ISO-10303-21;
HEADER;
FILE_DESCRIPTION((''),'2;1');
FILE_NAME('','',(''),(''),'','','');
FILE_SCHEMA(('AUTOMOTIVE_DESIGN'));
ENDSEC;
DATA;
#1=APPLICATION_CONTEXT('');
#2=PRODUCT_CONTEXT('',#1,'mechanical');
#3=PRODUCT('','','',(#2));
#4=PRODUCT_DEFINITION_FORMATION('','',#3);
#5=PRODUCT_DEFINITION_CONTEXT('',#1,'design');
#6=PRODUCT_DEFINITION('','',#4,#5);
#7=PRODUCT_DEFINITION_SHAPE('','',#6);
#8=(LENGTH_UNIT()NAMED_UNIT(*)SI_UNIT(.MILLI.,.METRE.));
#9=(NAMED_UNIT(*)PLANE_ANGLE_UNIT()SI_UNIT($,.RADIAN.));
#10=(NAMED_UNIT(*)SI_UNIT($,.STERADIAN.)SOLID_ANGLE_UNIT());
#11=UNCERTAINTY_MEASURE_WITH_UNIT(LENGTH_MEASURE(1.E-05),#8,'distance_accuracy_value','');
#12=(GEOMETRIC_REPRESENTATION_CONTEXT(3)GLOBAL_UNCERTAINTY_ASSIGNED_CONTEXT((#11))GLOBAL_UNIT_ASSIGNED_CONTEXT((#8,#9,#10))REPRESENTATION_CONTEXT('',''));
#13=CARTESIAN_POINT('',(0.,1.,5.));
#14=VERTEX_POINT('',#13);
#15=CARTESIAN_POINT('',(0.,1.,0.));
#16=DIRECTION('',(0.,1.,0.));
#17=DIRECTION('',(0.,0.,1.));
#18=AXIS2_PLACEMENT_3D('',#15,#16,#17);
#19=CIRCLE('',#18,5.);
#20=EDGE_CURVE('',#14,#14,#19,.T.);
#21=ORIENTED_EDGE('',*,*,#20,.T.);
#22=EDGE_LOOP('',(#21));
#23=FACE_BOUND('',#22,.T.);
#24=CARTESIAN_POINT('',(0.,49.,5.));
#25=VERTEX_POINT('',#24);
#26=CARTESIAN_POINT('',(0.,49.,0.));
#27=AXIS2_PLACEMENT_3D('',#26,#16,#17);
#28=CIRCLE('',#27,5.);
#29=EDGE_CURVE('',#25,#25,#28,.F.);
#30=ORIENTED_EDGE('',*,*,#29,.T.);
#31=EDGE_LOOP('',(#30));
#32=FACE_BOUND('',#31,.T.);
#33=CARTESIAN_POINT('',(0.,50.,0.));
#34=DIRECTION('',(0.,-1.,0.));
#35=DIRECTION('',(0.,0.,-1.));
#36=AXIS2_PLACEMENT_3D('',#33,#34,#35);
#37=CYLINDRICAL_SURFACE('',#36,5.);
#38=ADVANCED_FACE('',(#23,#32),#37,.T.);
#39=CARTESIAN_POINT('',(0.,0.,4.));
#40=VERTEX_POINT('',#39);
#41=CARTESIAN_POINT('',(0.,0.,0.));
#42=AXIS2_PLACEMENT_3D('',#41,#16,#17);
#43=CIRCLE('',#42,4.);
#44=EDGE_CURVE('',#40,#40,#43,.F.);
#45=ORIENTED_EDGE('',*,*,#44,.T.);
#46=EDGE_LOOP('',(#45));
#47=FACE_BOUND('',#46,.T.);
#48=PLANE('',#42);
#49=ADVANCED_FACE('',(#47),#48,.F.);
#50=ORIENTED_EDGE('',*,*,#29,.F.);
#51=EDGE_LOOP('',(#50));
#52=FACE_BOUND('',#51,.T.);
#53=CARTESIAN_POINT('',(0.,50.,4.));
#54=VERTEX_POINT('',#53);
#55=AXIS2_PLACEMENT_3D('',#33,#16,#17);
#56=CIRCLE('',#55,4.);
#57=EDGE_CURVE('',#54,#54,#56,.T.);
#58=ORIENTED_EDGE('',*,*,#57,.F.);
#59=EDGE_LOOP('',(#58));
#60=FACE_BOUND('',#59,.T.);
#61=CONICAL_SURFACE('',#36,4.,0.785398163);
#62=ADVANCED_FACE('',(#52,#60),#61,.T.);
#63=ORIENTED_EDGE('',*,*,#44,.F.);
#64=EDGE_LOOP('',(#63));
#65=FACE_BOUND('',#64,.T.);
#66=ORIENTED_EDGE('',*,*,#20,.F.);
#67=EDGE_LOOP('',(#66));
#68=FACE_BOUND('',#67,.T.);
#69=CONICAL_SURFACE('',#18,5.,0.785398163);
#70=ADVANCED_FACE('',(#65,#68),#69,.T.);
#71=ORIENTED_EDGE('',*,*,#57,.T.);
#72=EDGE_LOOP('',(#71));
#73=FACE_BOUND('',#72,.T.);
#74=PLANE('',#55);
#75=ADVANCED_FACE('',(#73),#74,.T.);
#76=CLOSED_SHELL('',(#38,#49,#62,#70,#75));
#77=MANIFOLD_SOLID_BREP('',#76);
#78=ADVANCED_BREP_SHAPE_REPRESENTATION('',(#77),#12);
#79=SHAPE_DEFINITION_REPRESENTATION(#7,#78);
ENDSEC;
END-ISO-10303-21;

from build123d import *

# Parameters (mm, degrees)
SKETCH1_R         = 5
CORPO_DEPTH       = 50
CHANFRO_1_45_SIZE = 1


with BuildPart() as part:
    # Sketch1 → Corpo (new body)
    with BuildSketch(Plane(origin=(0, 0, 0), x_dir=(1, 0, 0), z_dir=(0, 1, 0))):
        with Locations(Location((0, 0, 0), (0, 0, 270))):
            Circle(SKETCH1_R)
    extrude(amount=CORPO_DEPTH)

    # Chanfro 1×45°
    chanfro_1_45_edges = [part.edges().sort_by_distance(p)[0] for p in [
        (0, 0, -5),
        (0, 50, -5),
    ]]
    chamfer(chanfro_1_45_edges, length=CHANFRO_1_45_SIZE)


solid = part.part
